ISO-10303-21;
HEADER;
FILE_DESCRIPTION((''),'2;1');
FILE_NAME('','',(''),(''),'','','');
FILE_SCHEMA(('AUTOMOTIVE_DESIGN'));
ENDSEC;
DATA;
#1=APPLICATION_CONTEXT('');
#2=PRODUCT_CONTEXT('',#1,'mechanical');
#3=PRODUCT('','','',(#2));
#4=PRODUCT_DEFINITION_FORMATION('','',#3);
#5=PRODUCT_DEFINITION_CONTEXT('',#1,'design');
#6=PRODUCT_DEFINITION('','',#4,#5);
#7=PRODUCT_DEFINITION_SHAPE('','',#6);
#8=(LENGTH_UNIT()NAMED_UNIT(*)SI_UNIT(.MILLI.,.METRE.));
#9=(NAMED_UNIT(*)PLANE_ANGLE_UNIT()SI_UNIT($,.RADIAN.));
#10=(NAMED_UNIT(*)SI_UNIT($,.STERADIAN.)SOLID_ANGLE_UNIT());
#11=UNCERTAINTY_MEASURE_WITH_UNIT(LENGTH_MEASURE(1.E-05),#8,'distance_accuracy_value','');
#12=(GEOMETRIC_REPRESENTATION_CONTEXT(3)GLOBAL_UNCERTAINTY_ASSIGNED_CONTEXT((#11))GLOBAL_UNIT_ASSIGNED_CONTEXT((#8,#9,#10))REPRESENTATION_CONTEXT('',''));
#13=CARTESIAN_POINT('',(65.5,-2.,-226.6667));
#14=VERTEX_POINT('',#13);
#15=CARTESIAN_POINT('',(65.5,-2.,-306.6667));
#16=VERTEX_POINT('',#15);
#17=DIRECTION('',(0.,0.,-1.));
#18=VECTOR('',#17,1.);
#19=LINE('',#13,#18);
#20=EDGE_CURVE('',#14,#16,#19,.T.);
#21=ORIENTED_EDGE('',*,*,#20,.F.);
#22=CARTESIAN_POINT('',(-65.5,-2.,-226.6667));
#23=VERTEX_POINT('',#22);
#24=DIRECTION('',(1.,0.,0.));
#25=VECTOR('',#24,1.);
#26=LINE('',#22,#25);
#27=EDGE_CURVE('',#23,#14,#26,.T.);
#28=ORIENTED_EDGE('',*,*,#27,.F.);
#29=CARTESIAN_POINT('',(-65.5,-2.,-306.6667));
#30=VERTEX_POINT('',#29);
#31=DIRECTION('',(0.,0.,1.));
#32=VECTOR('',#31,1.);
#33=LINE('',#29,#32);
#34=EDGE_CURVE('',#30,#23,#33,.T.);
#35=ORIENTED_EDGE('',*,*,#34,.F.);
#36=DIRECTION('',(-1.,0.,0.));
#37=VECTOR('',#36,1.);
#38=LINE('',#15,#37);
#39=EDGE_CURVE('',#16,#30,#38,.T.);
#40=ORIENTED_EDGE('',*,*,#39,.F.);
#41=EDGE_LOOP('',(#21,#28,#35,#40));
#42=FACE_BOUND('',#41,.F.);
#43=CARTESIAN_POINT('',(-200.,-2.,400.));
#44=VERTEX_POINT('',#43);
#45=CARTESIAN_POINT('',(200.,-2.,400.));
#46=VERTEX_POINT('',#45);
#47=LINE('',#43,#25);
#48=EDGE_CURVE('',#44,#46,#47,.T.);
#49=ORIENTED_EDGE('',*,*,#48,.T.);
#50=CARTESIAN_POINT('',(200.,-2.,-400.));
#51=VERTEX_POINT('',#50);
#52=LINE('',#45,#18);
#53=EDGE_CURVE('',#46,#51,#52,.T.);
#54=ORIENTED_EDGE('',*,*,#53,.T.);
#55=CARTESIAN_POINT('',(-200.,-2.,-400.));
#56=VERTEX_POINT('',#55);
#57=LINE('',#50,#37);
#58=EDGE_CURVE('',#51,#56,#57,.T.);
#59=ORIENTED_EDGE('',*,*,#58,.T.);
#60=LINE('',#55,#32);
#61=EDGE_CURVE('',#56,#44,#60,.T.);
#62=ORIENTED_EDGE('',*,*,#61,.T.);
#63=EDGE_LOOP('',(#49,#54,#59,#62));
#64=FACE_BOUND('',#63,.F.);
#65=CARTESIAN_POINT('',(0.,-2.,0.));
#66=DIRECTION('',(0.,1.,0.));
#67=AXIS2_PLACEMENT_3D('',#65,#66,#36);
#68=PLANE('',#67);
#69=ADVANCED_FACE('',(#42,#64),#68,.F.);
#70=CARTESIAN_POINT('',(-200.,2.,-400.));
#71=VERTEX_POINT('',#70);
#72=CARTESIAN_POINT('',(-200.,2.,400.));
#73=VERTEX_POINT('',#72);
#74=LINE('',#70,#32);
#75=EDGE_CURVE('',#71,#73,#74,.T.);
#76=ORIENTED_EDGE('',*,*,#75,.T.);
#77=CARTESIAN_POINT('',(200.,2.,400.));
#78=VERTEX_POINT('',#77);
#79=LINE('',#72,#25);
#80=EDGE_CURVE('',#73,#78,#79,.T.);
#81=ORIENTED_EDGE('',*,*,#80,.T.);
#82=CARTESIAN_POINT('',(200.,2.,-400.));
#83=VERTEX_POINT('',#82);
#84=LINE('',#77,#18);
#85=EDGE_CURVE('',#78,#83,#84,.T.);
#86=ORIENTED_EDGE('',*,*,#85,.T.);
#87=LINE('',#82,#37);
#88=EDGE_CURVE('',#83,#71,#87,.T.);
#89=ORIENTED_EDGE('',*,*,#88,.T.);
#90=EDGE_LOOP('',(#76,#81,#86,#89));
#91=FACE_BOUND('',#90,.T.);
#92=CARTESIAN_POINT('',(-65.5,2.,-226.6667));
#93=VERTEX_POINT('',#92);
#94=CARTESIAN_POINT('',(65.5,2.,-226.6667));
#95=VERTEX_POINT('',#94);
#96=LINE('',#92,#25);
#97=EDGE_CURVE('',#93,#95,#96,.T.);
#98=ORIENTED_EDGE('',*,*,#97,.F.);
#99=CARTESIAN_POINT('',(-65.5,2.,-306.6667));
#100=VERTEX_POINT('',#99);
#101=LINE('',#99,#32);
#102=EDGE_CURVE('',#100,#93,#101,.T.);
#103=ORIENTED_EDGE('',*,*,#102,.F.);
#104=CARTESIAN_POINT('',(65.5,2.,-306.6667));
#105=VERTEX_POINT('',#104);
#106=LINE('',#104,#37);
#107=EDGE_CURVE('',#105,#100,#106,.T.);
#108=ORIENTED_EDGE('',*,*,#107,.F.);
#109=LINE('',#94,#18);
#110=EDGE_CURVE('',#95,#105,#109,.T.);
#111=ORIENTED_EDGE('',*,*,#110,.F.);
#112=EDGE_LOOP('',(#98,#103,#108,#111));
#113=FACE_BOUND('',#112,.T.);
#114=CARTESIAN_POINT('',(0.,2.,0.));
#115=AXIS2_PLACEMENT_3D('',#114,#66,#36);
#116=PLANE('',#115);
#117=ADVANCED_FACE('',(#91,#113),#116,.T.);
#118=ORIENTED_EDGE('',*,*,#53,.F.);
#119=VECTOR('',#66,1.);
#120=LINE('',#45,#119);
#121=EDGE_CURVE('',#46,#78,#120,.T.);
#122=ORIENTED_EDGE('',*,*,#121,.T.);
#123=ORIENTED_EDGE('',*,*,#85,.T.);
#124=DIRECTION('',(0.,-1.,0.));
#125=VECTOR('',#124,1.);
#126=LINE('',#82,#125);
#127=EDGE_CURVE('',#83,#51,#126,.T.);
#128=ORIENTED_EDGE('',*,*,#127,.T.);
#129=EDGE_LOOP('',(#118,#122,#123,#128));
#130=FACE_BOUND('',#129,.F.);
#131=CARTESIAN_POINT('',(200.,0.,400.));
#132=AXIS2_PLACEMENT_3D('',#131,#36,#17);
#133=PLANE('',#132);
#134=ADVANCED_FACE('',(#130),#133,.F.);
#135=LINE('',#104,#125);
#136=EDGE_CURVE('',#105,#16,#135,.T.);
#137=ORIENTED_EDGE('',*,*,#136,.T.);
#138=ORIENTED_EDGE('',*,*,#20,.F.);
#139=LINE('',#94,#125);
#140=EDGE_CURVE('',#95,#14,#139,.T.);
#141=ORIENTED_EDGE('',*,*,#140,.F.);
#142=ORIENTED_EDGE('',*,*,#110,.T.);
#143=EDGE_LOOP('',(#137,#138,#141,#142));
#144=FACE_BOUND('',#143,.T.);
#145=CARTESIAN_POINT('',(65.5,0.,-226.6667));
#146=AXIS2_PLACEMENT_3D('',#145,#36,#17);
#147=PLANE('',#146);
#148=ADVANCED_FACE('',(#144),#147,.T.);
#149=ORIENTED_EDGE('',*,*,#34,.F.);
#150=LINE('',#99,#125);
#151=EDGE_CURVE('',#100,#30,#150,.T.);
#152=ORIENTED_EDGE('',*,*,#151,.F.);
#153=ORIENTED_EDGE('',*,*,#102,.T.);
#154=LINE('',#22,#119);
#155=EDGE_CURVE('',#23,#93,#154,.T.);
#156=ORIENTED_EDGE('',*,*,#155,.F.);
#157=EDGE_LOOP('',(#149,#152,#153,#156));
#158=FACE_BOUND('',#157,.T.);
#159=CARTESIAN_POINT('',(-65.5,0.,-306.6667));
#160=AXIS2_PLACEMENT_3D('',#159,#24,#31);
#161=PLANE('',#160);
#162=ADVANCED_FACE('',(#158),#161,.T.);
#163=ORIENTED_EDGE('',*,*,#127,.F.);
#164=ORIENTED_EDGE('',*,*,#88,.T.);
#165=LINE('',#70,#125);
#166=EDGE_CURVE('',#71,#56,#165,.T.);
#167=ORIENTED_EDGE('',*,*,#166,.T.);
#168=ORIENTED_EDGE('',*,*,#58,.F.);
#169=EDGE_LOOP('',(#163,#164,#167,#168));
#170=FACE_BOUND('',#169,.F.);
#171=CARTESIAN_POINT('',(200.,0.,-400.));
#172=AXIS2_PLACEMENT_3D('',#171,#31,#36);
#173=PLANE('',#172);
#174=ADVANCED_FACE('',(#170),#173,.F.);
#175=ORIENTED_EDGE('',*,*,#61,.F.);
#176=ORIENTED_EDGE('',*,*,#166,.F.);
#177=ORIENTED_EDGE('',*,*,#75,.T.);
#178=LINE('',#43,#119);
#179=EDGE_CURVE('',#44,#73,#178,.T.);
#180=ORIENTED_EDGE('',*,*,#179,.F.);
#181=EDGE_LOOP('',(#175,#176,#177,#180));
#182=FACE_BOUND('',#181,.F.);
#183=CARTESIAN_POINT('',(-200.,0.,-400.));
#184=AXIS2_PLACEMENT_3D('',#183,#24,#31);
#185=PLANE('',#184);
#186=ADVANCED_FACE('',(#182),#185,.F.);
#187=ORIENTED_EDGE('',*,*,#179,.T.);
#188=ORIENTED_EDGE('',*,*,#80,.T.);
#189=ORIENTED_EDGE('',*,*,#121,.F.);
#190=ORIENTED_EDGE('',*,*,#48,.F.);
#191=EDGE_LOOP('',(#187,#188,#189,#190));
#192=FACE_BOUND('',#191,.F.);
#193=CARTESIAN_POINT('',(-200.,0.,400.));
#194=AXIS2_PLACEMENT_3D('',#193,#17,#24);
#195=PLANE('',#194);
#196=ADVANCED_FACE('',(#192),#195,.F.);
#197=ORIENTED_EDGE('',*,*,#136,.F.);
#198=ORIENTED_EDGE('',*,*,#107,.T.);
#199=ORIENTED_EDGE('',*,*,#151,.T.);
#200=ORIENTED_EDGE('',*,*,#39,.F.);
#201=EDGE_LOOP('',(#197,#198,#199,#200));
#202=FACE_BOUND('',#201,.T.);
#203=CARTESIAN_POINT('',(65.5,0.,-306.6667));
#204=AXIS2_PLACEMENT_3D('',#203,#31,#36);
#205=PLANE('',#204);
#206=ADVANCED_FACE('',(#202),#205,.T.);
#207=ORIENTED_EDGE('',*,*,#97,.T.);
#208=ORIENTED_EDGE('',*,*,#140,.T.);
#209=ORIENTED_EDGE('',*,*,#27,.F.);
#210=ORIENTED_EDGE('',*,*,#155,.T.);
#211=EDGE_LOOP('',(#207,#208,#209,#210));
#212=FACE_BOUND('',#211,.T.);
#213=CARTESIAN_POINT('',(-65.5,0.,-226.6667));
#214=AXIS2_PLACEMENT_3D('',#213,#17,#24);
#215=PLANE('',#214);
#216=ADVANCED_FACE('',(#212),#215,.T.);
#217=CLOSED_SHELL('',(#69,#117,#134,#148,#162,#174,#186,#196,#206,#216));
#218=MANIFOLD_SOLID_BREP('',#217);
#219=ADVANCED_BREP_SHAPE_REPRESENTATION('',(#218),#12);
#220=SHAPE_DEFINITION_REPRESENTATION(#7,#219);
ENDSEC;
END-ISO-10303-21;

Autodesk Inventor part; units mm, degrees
ref_plane "YZ Plane" through (0, 0, 0) normal (1, 0, 0) x (0, 1, 0)
ref_plane "XZ Plane" through (0, 0, 0) normal (0, 1, 0) x (-1, 0, 0)
ref_plane "XY Plane" through (0, 0, 0) normal (0, 0, 1) x (1, 0, 0)
sketch "Sketch1" plane through (0, 0, 0) normal (0, 1, 0) x (-1, 0, 0)
  line L0 (200, 400) -> (-200, 400)
  line L1 (-200, 400) -> (-200, -400)
  line L2 (-200, -400) -> (200, -400)
  line L3 (200, -400) -> (200, 400)
  line L4 (65.5, -226.6667) -> (-65.5, -226.6667)
  line L5 (-65.5, -226.6667) -> (-65.5, -306.6667)
  line L6 (-65.5, -306.6667) -> (65.5, -306.6667)
  line L7 (65.5, -306.6667) -> (65.5, -226.6667)
  point P0 (0, 0)
  dimension "d0" = 800
  dimension "d1" = 400
  dimension "d3" = 200
  dimension "d4" = 400
  dimension "d5" = 80
  dimension "d6" = 131
  dimension "d7" = 134.5
  dimension "d8" = 93.3333
sketch "Sketch2" plane through (0, 0, 0) normal (0, 1, 0) x (-1, 0, 0)
  point P0 (0, 0)
sketch "Sketch3" plane through (0, 0, 0) normal (1, 0, 0) x (0, 1, 0)
  point P0 (0, 0)
sketch "Sketch4" plane through (0, 0, 0) normal (0, 1, 0) x (-1, 0, 0)
  point P0 (0, 0)
  point P1 (0, 0)
sketch "Sketch5" plane through (0, 0, 0) normal (0, 1, 0) x (-1, 0, 0)
  point P0 (0, 0)
extrude "Extrusion1" add sketch "Sketch1" along normal mid plane 4
equation "\"d7\" = 0.5 * d1 - 0.5 * d6"
equation "\"d8\" = 0.166667 * d0 - 0.5 * d5"
properties part number "front"
